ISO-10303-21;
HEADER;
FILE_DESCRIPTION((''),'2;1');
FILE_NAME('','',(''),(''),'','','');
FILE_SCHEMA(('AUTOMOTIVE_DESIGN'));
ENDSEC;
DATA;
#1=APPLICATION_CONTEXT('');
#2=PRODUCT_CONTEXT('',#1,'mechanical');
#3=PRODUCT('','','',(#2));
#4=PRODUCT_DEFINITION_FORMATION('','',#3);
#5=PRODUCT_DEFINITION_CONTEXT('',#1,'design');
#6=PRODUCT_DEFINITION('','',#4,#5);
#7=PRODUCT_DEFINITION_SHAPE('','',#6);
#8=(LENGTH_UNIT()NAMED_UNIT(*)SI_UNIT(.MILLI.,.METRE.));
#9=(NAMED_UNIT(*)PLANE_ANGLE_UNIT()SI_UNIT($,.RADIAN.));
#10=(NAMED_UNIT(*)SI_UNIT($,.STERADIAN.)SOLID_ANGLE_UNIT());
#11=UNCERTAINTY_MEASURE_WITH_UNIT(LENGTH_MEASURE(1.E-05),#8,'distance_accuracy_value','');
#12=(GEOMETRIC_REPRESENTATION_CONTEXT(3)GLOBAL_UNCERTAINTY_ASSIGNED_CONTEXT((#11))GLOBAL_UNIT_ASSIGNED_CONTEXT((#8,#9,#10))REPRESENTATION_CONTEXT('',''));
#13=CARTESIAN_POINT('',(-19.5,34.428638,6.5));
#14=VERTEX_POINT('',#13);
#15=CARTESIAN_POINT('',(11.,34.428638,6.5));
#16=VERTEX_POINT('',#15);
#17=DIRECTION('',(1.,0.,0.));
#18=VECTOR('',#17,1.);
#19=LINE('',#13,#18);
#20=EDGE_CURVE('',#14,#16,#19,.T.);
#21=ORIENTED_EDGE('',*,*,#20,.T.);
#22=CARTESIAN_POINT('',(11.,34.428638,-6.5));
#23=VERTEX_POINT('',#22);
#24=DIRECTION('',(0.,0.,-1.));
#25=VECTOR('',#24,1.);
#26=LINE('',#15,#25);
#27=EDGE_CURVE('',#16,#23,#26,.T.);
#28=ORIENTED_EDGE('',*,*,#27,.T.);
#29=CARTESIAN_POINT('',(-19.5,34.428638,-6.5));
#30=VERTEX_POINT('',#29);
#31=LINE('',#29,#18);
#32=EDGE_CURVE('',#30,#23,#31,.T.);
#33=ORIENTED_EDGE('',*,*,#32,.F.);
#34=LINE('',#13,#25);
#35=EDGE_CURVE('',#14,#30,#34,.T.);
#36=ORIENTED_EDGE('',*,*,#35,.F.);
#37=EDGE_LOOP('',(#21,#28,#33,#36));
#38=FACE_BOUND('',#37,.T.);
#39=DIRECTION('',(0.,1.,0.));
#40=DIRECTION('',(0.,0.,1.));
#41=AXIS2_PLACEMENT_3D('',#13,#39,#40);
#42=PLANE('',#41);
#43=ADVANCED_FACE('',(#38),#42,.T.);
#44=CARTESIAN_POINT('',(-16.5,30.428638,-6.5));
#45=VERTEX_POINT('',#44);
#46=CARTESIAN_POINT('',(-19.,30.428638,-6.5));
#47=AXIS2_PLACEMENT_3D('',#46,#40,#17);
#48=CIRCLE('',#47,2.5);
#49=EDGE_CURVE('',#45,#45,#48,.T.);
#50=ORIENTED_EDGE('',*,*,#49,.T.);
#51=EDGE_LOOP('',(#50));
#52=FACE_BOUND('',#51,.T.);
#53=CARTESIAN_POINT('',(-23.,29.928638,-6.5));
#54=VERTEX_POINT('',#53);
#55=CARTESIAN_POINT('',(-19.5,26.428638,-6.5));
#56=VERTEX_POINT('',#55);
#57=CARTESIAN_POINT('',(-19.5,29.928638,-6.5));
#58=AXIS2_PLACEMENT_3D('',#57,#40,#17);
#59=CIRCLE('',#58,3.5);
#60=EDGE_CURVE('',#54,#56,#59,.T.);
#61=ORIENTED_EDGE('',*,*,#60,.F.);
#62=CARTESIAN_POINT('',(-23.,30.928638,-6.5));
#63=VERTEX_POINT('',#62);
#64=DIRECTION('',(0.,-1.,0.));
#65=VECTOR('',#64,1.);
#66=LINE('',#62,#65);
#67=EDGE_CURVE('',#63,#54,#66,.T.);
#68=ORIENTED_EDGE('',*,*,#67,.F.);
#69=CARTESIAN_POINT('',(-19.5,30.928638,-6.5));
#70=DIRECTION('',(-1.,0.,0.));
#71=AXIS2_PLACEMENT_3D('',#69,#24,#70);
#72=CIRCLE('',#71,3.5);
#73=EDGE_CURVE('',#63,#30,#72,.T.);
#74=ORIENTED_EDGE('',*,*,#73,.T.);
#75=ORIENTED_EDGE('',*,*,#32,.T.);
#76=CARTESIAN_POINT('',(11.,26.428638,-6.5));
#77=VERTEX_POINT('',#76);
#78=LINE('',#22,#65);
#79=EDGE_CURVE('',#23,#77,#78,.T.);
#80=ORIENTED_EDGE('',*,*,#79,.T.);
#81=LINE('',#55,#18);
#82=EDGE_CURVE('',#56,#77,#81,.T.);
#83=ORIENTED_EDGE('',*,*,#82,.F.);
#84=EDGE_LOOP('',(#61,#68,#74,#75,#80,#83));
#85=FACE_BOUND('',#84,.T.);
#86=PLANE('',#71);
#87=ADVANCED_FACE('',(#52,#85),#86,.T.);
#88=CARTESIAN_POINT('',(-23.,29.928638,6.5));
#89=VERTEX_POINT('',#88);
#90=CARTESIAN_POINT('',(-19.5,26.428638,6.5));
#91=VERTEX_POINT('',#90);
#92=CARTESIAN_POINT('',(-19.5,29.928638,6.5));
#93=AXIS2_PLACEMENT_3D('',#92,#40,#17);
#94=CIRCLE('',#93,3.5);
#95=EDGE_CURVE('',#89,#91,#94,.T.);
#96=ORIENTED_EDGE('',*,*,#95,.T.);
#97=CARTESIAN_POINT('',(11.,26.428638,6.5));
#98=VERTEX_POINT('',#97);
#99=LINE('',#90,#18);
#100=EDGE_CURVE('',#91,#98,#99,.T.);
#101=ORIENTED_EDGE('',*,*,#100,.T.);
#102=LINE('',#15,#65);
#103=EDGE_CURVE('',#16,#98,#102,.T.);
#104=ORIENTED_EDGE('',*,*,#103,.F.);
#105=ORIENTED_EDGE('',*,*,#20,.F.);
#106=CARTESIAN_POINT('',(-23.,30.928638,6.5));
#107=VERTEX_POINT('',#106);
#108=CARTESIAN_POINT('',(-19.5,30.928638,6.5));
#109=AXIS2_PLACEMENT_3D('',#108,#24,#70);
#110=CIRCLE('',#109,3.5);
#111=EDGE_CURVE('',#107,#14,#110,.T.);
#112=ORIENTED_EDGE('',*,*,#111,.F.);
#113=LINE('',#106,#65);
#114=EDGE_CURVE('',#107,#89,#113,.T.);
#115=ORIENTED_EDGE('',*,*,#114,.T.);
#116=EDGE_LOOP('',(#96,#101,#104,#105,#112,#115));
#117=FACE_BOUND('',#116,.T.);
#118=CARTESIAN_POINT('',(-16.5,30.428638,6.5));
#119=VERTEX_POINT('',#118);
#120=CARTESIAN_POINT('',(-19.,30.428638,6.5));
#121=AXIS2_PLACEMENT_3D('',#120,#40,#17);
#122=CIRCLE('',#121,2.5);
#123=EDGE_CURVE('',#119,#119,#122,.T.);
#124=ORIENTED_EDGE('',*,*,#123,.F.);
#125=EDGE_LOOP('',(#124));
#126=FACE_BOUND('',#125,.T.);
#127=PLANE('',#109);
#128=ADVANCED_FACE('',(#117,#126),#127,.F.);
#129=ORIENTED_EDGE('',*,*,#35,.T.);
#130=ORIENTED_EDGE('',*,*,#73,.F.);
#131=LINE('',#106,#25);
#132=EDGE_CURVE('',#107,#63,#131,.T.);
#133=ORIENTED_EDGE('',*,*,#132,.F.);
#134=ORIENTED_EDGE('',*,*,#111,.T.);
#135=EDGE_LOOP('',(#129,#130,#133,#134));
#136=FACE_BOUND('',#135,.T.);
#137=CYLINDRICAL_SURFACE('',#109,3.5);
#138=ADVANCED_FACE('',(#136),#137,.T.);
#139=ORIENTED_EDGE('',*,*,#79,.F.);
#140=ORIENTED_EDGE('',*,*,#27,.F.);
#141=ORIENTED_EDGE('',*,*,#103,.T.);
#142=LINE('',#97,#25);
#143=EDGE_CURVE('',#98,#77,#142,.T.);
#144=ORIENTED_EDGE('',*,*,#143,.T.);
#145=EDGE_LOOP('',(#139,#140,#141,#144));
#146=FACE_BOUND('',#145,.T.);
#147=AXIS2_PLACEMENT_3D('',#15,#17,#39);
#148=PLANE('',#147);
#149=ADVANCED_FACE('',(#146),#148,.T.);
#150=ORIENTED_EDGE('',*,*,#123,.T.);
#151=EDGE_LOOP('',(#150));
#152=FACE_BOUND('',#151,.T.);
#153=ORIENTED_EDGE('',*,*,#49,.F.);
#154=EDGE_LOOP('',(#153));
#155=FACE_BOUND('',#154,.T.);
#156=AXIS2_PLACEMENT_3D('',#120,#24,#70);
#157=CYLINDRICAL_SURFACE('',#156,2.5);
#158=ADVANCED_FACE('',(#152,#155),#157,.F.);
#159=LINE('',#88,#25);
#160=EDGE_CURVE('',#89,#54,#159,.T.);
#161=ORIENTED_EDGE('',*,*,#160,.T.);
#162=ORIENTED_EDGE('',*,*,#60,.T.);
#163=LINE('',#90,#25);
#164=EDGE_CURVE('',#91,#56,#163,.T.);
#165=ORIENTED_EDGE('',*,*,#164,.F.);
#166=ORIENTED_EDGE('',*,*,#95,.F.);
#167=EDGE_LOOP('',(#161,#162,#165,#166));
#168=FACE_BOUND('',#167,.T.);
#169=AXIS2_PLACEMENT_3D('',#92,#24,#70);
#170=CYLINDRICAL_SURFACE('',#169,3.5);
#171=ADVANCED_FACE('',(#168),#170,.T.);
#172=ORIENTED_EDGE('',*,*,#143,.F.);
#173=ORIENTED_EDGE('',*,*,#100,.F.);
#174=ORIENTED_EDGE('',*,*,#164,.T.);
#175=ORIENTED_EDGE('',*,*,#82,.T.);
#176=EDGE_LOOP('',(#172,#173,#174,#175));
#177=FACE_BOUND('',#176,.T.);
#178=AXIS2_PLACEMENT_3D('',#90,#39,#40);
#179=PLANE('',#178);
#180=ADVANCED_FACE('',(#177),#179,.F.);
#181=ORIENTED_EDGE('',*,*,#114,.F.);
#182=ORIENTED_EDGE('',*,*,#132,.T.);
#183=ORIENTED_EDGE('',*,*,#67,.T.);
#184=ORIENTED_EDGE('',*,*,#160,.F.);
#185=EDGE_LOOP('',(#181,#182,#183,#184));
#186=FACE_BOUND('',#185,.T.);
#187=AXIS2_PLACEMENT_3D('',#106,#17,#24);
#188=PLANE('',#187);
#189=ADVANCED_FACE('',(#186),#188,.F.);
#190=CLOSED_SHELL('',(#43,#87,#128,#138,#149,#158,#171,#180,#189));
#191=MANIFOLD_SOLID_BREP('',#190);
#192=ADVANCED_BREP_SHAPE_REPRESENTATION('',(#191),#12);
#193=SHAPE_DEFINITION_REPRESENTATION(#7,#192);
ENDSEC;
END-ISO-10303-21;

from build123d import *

# Parameters (mm, degrees)
SKETCH1_R           = 2.5
BOSS_EXTRUDE1_DEPTH = 6.5


with BuildPart() as part:
    # Sketch1 → Boss-Extrude1 (new body, symmetric)
    with BuildSketch(Plane.XY):
        with BuildLine():
            Line((-19.5, 34.428638458), (11, 34.428638458))
            Line((11, 34.428638458), (11, 26.428638458))
            Line((11, 26.428638458), (-19.5, 26.428638458))
            ThreePointArc((-19.5, 26.428638458), (-21.974873734, 27.453764724), (-23, 29.928638458))
            Line((-23, 29.928638458), (-23, 30.928638458))
            ThreePointArc((-23, 30.928638458), (-21.974873734, 33.403512192), (-19.5, 34.428638458))
        make_face()
        with Locations((-19, 30.428638458)):
            Circle(SKETCH1_R, mode=Mode.SUBTRACT)
    extrude(amount=BOSS_EXTRUDE1_DEPTH, both=True)


solid = part.part
